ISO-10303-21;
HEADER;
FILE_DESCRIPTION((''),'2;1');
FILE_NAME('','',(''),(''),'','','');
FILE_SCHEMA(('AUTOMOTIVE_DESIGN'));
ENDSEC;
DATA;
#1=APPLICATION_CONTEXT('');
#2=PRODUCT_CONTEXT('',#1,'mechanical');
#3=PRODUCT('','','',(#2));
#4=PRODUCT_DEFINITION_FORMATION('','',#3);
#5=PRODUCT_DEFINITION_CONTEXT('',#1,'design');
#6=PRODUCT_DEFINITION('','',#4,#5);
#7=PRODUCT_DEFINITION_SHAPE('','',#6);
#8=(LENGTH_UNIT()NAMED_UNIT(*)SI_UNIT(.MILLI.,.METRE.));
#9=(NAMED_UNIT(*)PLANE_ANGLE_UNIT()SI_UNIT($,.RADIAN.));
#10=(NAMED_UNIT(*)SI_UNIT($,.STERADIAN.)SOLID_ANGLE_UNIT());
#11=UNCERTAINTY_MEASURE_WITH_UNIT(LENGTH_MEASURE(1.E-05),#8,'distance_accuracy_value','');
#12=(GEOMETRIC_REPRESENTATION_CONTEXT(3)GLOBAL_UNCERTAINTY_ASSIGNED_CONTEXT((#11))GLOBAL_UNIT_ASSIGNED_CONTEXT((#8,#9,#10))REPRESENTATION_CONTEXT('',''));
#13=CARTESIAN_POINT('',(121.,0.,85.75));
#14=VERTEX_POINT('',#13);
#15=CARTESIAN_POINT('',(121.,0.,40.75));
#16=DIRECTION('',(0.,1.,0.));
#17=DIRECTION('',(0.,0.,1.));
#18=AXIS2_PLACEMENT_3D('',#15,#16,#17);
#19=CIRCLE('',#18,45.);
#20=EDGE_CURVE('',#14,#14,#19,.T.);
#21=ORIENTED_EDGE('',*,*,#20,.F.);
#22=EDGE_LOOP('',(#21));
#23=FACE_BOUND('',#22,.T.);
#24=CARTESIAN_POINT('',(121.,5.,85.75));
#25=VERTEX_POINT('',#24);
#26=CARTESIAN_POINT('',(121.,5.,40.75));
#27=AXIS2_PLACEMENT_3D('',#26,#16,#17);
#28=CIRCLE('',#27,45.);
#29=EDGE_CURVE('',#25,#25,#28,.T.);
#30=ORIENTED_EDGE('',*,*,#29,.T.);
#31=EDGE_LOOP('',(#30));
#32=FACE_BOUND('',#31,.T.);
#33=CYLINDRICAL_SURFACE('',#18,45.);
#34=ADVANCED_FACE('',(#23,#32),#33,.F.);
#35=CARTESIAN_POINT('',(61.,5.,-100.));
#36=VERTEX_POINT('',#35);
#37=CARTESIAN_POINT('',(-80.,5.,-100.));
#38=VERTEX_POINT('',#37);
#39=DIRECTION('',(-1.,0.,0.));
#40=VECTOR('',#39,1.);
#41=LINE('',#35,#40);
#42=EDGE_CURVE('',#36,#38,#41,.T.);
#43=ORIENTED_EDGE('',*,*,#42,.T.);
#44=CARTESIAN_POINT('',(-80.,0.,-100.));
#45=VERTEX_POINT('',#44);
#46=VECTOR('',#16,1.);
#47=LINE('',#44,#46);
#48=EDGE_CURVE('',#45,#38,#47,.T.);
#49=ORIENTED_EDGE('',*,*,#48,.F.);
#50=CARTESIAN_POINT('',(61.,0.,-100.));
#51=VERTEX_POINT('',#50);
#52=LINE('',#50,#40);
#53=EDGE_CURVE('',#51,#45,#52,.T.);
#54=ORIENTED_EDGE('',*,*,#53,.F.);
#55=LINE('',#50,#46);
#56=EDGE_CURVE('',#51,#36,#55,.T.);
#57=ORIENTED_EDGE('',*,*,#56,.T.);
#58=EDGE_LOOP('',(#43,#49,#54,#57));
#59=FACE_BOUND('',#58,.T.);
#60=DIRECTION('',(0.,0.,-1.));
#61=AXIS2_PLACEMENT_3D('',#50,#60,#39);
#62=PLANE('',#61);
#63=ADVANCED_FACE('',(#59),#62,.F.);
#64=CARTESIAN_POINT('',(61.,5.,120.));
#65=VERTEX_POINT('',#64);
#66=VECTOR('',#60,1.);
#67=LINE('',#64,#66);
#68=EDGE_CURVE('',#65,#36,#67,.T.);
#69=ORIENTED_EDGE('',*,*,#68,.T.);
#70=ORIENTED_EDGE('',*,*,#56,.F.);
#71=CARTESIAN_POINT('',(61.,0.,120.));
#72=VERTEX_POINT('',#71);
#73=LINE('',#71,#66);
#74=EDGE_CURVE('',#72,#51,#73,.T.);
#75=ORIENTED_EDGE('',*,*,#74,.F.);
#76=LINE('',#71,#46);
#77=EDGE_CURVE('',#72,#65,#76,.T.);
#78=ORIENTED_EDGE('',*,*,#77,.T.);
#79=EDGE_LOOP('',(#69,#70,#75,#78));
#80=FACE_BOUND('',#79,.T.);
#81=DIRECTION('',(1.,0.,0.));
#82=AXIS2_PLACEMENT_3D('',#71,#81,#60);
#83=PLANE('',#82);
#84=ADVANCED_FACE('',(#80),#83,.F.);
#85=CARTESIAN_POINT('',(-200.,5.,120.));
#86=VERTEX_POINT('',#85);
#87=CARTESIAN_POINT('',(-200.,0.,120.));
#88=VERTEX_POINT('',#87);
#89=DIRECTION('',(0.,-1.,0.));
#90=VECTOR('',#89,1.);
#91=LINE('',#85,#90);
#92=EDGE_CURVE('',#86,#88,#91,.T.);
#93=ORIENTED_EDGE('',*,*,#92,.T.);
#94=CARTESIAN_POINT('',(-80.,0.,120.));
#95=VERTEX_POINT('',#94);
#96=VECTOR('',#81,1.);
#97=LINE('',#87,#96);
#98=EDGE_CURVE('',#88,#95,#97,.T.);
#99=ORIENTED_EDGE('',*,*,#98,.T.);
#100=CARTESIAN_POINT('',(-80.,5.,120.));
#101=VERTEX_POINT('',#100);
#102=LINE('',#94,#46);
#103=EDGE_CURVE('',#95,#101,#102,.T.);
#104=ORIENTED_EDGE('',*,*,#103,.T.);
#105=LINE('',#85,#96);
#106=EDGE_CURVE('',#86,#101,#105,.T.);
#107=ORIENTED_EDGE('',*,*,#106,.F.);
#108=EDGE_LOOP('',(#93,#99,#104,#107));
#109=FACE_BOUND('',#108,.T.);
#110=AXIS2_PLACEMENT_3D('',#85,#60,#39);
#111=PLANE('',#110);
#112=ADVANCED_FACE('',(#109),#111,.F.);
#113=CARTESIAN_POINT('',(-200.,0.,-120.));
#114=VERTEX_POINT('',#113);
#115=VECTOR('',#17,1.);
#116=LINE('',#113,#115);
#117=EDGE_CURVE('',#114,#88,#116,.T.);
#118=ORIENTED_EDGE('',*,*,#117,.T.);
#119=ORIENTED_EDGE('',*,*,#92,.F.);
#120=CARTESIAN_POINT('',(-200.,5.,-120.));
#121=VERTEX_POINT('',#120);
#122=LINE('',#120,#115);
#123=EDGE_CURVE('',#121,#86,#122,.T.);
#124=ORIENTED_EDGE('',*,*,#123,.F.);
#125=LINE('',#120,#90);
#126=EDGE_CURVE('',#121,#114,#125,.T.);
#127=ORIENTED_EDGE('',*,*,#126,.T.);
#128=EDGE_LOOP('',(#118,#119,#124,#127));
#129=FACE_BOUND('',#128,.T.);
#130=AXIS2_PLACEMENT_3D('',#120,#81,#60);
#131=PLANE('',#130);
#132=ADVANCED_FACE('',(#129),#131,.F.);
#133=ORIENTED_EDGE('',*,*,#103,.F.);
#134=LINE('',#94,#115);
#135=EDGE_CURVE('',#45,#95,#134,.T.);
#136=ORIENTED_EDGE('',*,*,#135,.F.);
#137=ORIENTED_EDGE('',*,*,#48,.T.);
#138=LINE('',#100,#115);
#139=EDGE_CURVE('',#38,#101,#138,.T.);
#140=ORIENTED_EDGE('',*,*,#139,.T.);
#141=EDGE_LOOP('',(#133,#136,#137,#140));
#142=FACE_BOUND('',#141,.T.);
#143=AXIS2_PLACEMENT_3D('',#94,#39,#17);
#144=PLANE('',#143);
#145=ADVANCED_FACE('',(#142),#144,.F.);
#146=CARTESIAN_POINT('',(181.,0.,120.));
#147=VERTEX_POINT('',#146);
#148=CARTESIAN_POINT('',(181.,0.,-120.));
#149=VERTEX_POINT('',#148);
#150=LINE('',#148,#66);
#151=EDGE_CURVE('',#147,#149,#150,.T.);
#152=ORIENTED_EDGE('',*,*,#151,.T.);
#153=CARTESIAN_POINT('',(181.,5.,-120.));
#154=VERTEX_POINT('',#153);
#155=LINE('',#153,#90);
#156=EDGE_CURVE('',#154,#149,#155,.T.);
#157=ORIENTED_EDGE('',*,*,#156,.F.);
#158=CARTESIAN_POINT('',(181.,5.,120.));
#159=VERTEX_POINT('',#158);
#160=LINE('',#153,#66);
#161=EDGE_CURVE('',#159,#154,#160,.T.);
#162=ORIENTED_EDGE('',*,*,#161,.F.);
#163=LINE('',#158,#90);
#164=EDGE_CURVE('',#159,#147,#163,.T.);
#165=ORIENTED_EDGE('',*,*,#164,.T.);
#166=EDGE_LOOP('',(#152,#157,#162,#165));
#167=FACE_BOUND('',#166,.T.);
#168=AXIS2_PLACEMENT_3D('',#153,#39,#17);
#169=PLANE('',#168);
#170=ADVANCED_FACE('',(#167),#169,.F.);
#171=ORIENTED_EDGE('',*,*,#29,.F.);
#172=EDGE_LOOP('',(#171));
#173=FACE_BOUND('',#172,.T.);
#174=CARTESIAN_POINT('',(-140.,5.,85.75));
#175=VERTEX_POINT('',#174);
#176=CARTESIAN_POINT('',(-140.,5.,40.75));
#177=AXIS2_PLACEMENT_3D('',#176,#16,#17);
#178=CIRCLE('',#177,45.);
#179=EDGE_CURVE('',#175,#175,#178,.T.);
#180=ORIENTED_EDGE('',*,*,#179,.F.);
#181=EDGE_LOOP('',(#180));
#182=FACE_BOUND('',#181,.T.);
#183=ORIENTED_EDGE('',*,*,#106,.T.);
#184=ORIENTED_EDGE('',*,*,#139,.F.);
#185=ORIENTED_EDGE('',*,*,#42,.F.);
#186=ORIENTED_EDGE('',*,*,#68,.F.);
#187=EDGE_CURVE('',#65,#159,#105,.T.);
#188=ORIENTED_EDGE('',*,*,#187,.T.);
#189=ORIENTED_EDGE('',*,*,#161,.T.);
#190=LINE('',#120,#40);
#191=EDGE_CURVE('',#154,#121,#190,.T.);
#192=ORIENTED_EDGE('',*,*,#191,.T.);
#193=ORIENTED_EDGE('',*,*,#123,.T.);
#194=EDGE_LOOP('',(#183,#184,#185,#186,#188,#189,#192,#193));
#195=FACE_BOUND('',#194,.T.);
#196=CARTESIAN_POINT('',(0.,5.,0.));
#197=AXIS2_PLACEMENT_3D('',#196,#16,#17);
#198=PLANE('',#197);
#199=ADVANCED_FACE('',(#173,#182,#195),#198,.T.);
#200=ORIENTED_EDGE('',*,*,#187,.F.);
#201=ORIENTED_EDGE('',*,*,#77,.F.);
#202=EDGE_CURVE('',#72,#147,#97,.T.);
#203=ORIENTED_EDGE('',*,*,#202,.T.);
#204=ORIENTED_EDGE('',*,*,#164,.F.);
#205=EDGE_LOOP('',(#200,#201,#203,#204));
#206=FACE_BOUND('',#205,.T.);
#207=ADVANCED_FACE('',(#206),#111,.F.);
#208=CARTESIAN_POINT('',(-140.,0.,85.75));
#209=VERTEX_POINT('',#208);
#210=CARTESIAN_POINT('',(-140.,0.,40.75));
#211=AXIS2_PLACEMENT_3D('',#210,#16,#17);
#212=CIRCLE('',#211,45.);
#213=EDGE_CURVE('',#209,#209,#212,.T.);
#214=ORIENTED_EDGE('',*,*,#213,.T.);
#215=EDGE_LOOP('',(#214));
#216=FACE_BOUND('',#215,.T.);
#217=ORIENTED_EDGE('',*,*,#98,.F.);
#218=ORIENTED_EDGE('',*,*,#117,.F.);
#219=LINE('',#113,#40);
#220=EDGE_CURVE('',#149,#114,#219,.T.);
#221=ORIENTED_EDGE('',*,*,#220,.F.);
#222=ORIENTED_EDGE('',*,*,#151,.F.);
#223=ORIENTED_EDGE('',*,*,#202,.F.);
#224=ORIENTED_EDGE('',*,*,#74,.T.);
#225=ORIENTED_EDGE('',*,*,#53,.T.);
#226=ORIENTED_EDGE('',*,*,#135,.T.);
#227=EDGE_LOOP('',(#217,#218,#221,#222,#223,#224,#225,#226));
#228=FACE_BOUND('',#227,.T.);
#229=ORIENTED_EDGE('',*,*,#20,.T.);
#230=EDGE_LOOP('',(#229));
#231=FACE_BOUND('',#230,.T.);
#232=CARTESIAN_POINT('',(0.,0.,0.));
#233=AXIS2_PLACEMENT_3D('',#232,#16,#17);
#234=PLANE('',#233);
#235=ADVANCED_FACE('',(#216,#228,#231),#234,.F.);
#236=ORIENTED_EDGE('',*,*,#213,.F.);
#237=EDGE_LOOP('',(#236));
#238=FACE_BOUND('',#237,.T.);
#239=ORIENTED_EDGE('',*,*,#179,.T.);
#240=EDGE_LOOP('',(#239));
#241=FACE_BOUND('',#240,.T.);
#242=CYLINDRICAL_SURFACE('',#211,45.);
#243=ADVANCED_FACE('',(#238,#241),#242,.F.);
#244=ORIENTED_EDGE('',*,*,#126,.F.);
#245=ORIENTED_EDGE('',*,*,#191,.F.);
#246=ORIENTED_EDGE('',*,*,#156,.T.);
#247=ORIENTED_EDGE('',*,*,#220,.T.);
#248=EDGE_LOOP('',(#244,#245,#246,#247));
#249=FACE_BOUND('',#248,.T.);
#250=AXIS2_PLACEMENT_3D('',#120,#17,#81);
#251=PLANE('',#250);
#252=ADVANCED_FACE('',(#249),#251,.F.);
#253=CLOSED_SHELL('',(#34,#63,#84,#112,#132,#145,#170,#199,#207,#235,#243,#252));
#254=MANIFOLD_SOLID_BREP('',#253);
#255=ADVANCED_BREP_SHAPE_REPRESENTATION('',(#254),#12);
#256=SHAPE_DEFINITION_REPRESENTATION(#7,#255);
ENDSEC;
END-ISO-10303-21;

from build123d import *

# Parameters (mm, degrees)
SKETCH1_W           = 381
SKETCH1_H           = 240
BOSS_EXTRUDE1_DEPTH = 5
SKETCH2_R           = 45
CUT_EXTRUDE1_DEPTH  = 5
SKETCH5_W           = 141
SKETCH5_H           = 220
CUT_EXTRUDE3_DEPTH  = 5


with BuildPart() as part:
    # Sketch1 → Boss-Extrude1 (new body)
    with BuildSketch(Plane(origin=(0, 0, 0), x_dir=(1, 0, 0), z_dir=(0, 1, 0))):
        with Locations((-9.5, 0)):
            Rectangle(SKETCH1_W, SKETCH1_H)
    extrude(amount=BOSS_EXTRUDE1_DEPTH)

    # Sketch2 → Cut-Extrude1 (cut)
    with BuildSketch(Plane(origin=(0, 5, 0), x_dir=(1, 0, 0), z_dir=(0, 1, 0))):
        with Locations(Location((-140, -40.75, 0), (0, 0, 270))):
            Circle(SKETCH2_R)
        with Locations(Location((121, -40.75, 0), (0, 0, 270))):
            Circle(SKETCH2_R)
    extrude(amount=-CUT_EXTRUDE1_DEPTH, mode=Mode.SUBTRACT)

    # Sketch5 → Cut-Extrude3 (cut)
    with BuildSketch(Plane(origin=(0, 5, 0), x_dir=(1, 0, 0), z_dir=(0, 1, 0))):
        with Locations((-9.5, -10)):
            Rectangle(SKETCH5_W, SKETCH5_H)
    extrude(amount=-CUT_EXTRUDE3_DEPTH, mode=Mode.SUBTRACT)


solid = part.part
